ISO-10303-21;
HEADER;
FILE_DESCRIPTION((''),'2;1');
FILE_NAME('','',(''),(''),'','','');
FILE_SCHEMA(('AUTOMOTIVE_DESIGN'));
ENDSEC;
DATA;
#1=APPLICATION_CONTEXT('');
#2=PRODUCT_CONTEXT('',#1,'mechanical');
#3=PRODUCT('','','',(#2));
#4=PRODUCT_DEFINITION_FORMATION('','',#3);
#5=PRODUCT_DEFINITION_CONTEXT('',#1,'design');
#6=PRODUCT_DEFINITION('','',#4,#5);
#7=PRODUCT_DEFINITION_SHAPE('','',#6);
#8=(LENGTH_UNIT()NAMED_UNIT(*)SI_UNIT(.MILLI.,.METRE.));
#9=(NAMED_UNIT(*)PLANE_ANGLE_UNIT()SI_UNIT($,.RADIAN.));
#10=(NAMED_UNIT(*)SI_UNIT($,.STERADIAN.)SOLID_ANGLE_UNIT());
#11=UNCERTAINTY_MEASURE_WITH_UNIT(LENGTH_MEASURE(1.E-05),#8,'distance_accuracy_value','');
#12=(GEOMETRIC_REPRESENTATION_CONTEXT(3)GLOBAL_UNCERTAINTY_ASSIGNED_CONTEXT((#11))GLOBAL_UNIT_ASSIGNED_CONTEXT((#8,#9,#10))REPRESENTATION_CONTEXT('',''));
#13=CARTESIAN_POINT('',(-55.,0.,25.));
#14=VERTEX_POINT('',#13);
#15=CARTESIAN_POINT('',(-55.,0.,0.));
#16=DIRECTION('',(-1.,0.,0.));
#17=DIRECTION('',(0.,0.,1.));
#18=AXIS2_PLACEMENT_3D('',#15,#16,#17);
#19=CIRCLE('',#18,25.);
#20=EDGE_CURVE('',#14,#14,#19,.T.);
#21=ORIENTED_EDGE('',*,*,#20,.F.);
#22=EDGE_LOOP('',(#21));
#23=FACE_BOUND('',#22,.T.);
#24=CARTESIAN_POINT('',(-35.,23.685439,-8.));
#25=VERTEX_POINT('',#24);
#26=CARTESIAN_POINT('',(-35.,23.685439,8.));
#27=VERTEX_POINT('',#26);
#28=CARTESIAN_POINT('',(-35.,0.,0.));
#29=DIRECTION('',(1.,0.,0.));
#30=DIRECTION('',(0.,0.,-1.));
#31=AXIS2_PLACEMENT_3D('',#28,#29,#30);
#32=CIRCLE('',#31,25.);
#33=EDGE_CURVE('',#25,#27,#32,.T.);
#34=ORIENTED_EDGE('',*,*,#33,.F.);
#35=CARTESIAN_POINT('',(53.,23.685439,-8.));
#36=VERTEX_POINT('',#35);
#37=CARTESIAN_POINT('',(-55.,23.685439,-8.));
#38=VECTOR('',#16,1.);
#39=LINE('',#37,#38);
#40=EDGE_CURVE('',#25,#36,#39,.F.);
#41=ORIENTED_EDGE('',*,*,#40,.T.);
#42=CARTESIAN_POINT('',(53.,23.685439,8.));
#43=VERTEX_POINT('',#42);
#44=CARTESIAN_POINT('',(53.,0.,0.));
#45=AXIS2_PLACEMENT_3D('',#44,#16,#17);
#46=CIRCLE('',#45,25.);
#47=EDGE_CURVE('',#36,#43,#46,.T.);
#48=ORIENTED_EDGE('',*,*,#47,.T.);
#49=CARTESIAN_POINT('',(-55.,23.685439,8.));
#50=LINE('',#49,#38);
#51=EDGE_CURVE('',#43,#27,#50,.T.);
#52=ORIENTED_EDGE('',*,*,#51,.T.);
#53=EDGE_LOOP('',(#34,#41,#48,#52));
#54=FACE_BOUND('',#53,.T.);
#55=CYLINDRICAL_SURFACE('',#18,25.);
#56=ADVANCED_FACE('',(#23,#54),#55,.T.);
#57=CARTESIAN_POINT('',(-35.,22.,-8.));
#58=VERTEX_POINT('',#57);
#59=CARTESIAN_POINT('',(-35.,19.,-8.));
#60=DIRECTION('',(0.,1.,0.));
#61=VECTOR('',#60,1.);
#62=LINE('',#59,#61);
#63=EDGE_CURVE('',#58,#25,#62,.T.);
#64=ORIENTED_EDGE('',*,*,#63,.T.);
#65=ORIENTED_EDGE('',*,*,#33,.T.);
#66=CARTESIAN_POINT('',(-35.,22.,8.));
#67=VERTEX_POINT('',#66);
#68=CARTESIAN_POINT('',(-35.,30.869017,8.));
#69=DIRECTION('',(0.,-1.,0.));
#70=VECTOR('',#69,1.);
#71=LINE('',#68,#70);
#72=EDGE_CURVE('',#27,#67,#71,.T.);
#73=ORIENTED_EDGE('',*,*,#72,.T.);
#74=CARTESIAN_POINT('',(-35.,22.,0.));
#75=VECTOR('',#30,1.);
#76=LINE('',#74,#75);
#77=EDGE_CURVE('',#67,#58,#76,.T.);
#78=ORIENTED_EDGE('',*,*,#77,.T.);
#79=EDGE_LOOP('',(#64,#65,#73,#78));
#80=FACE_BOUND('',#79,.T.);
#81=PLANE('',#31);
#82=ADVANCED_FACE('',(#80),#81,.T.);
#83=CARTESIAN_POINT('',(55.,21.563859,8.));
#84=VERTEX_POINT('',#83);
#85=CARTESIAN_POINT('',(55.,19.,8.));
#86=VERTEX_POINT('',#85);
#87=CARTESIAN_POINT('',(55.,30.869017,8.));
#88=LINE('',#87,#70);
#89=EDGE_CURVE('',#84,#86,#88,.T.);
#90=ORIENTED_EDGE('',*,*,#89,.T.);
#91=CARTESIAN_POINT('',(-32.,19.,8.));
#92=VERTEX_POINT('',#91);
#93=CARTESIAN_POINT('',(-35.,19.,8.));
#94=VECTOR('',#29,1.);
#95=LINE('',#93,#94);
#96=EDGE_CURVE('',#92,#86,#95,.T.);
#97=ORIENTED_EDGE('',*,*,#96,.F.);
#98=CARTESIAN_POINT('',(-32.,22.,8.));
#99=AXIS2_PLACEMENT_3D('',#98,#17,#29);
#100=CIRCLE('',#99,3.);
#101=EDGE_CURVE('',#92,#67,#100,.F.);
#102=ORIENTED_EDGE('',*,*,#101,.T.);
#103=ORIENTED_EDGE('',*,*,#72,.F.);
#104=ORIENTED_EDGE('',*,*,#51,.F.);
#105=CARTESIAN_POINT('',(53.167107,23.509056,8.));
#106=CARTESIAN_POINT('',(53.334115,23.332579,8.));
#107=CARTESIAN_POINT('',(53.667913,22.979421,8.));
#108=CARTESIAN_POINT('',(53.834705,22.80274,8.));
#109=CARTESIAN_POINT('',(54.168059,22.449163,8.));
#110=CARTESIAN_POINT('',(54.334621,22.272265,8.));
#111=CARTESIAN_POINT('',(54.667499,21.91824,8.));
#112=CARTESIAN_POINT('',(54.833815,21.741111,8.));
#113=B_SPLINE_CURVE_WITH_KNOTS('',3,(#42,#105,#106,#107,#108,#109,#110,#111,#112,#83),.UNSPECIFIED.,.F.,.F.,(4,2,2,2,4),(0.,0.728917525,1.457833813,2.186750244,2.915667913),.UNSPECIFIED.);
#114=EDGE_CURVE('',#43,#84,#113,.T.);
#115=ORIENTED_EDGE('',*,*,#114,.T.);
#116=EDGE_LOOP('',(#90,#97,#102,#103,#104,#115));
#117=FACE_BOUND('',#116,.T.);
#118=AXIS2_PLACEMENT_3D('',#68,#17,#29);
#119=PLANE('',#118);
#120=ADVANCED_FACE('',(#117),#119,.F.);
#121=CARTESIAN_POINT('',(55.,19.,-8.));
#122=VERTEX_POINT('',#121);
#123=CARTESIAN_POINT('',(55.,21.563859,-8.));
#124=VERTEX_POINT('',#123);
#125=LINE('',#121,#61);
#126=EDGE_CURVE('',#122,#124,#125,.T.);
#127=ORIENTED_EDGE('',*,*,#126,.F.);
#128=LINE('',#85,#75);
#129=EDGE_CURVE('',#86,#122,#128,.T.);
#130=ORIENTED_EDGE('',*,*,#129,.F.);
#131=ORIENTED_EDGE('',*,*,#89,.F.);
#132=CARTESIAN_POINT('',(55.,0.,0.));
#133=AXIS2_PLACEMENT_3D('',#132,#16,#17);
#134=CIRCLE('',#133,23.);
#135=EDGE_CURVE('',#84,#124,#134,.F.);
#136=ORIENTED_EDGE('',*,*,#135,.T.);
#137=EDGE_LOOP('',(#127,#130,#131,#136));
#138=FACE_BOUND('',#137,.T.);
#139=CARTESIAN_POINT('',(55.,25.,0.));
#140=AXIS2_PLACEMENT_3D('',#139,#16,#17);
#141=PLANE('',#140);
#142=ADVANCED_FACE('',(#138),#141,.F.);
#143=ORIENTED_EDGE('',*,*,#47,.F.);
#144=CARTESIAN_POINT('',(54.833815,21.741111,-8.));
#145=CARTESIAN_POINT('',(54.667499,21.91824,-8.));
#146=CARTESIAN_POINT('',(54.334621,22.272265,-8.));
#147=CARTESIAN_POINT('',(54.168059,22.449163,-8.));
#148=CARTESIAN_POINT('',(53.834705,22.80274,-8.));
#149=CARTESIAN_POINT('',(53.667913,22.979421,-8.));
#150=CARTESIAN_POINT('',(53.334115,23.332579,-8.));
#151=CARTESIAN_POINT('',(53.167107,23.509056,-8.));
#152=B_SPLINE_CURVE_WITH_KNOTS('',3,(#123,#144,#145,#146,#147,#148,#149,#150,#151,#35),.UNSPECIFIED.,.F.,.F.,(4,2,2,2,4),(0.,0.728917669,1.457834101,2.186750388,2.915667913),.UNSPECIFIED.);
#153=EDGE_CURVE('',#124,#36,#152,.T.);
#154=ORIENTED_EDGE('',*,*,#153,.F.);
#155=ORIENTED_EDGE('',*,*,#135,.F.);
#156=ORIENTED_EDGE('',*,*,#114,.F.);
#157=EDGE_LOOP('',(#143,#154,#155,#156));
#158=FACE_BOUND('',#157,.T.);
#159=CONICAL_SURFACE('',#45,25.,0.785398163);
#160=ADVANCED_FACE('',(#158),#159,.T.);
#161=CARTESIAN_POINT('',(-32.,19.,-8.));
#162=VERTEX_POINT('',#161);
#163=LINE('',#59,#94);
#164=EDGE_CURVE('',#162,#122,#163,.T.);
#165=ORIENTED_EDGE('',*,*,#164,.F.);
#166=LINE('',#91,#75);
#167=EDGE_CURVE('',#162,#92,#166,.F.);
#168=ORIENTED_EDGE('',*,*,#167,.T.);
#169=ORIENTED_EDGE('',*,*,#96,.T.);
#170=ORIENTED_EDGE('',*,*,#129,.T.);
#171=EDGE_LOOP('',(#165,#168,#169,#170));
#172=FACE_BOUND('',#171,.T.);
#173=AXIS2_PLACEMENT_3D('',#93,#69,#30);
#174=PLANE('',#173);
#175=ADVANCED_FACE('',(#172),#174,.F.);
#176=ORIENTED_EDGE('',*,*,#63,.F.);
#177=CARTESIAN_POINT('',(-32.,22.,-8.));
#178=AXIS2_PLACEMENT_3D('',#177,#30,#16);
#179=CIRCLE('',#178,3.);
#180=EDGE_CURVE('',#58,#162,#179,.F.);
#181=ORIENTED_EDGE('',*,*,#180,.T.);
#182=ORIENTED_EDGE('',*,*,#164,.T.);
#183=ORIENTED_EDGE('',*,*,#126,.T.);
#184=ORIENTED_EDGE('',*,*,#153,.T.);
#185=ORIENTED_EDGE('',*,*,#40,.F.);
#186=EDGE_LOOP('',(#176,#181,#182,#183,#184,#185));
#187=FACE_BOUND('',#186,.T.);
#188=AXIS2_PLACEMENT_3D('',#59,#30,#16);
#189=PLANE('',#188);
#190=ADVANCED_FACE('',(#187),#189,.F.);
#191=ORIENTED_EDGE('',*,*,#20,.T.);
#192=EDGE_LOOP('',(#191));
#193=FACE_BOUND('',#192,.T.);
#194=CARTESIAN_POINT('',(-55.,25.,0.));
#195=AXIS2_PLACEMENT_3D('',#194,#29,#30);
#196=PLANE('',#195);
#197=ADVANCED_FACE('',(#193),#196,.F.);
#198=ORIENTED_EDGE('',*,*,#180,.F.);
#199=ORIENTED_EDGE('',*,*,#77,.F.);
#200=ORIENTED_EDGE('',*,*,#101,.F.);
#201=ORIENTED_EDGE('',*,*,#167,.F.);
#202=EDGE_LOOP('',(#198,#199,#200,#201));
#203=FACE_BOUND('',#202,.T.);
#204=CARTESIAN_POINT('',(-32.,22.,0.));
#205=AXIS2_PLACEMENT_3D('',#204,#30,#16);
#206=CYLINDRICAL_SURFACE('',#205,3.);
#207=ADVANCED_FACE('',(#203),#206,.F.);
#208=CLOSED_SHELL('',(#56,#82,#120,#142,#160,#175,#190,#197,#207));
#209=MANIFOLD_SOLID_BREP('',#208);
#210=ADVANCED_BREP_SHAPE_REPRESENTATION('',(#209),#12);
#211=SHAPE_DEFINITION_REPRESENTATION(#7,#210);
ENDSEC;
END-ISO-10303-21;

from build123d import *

# Parameters (mm, degrees)
SKETCH1_W          = 110
SKETCH1_H          = 25
SKETCH2_W          = 16
SKETCH2_H          = 11.86901723
CUT_EXTRUDE1_DEPTH = 90
CHAMFER1_SIZE      = 2
FILLET1_R          = 3


with BuildPart() as part:
    # Sketch1 → Revolve1 (revolve)
    with BuildSketch(Plane.XY, mode=Mode.PRIVATE) as revolve1_sk:
        with Locations((0, 12.5)):
            Rectangle(SKETCH1_W, SKETCH1_H)
    revolve(revolve1_sk.sketch.rotate(Axis((-55, 0, 0), (1, 0, 0)), 90), axis=Axis((-55, 0, 0), (1, 0, 0)))

    # Sketch2 → Cut-Extrude1 (cut)
    with BuildSketch(Plane(origin=(55, 0, 0), x_dir=(0, 0, -1), z_dir=(1, 0, 0))):
        with Locations((0, 24.934508615)):
            Rectangle(SKETCH2_W, SKETCH2_H)
    extrude(amount=-CUT_EXTRUDE1_DEPTH, mode=Mode.SUBTRACT)

    # Chamfer1
    chamfer1_edges = [part.edges().sort_by_distance(p)[0] for p in [
        (55, -20.310096012, -14.577379737),
    ]]
    chamfer(chamfer1_edges, length=CHAMFER1_SIZE)

    # Fillet1
    fillet1_edges = [part.edges().sort_by_distance(p)[0] for p in [
        (-35, 19, 0),
    ]]
    fillet(fillet1_edges, radius=FILLET1_R)


solid = part.part
